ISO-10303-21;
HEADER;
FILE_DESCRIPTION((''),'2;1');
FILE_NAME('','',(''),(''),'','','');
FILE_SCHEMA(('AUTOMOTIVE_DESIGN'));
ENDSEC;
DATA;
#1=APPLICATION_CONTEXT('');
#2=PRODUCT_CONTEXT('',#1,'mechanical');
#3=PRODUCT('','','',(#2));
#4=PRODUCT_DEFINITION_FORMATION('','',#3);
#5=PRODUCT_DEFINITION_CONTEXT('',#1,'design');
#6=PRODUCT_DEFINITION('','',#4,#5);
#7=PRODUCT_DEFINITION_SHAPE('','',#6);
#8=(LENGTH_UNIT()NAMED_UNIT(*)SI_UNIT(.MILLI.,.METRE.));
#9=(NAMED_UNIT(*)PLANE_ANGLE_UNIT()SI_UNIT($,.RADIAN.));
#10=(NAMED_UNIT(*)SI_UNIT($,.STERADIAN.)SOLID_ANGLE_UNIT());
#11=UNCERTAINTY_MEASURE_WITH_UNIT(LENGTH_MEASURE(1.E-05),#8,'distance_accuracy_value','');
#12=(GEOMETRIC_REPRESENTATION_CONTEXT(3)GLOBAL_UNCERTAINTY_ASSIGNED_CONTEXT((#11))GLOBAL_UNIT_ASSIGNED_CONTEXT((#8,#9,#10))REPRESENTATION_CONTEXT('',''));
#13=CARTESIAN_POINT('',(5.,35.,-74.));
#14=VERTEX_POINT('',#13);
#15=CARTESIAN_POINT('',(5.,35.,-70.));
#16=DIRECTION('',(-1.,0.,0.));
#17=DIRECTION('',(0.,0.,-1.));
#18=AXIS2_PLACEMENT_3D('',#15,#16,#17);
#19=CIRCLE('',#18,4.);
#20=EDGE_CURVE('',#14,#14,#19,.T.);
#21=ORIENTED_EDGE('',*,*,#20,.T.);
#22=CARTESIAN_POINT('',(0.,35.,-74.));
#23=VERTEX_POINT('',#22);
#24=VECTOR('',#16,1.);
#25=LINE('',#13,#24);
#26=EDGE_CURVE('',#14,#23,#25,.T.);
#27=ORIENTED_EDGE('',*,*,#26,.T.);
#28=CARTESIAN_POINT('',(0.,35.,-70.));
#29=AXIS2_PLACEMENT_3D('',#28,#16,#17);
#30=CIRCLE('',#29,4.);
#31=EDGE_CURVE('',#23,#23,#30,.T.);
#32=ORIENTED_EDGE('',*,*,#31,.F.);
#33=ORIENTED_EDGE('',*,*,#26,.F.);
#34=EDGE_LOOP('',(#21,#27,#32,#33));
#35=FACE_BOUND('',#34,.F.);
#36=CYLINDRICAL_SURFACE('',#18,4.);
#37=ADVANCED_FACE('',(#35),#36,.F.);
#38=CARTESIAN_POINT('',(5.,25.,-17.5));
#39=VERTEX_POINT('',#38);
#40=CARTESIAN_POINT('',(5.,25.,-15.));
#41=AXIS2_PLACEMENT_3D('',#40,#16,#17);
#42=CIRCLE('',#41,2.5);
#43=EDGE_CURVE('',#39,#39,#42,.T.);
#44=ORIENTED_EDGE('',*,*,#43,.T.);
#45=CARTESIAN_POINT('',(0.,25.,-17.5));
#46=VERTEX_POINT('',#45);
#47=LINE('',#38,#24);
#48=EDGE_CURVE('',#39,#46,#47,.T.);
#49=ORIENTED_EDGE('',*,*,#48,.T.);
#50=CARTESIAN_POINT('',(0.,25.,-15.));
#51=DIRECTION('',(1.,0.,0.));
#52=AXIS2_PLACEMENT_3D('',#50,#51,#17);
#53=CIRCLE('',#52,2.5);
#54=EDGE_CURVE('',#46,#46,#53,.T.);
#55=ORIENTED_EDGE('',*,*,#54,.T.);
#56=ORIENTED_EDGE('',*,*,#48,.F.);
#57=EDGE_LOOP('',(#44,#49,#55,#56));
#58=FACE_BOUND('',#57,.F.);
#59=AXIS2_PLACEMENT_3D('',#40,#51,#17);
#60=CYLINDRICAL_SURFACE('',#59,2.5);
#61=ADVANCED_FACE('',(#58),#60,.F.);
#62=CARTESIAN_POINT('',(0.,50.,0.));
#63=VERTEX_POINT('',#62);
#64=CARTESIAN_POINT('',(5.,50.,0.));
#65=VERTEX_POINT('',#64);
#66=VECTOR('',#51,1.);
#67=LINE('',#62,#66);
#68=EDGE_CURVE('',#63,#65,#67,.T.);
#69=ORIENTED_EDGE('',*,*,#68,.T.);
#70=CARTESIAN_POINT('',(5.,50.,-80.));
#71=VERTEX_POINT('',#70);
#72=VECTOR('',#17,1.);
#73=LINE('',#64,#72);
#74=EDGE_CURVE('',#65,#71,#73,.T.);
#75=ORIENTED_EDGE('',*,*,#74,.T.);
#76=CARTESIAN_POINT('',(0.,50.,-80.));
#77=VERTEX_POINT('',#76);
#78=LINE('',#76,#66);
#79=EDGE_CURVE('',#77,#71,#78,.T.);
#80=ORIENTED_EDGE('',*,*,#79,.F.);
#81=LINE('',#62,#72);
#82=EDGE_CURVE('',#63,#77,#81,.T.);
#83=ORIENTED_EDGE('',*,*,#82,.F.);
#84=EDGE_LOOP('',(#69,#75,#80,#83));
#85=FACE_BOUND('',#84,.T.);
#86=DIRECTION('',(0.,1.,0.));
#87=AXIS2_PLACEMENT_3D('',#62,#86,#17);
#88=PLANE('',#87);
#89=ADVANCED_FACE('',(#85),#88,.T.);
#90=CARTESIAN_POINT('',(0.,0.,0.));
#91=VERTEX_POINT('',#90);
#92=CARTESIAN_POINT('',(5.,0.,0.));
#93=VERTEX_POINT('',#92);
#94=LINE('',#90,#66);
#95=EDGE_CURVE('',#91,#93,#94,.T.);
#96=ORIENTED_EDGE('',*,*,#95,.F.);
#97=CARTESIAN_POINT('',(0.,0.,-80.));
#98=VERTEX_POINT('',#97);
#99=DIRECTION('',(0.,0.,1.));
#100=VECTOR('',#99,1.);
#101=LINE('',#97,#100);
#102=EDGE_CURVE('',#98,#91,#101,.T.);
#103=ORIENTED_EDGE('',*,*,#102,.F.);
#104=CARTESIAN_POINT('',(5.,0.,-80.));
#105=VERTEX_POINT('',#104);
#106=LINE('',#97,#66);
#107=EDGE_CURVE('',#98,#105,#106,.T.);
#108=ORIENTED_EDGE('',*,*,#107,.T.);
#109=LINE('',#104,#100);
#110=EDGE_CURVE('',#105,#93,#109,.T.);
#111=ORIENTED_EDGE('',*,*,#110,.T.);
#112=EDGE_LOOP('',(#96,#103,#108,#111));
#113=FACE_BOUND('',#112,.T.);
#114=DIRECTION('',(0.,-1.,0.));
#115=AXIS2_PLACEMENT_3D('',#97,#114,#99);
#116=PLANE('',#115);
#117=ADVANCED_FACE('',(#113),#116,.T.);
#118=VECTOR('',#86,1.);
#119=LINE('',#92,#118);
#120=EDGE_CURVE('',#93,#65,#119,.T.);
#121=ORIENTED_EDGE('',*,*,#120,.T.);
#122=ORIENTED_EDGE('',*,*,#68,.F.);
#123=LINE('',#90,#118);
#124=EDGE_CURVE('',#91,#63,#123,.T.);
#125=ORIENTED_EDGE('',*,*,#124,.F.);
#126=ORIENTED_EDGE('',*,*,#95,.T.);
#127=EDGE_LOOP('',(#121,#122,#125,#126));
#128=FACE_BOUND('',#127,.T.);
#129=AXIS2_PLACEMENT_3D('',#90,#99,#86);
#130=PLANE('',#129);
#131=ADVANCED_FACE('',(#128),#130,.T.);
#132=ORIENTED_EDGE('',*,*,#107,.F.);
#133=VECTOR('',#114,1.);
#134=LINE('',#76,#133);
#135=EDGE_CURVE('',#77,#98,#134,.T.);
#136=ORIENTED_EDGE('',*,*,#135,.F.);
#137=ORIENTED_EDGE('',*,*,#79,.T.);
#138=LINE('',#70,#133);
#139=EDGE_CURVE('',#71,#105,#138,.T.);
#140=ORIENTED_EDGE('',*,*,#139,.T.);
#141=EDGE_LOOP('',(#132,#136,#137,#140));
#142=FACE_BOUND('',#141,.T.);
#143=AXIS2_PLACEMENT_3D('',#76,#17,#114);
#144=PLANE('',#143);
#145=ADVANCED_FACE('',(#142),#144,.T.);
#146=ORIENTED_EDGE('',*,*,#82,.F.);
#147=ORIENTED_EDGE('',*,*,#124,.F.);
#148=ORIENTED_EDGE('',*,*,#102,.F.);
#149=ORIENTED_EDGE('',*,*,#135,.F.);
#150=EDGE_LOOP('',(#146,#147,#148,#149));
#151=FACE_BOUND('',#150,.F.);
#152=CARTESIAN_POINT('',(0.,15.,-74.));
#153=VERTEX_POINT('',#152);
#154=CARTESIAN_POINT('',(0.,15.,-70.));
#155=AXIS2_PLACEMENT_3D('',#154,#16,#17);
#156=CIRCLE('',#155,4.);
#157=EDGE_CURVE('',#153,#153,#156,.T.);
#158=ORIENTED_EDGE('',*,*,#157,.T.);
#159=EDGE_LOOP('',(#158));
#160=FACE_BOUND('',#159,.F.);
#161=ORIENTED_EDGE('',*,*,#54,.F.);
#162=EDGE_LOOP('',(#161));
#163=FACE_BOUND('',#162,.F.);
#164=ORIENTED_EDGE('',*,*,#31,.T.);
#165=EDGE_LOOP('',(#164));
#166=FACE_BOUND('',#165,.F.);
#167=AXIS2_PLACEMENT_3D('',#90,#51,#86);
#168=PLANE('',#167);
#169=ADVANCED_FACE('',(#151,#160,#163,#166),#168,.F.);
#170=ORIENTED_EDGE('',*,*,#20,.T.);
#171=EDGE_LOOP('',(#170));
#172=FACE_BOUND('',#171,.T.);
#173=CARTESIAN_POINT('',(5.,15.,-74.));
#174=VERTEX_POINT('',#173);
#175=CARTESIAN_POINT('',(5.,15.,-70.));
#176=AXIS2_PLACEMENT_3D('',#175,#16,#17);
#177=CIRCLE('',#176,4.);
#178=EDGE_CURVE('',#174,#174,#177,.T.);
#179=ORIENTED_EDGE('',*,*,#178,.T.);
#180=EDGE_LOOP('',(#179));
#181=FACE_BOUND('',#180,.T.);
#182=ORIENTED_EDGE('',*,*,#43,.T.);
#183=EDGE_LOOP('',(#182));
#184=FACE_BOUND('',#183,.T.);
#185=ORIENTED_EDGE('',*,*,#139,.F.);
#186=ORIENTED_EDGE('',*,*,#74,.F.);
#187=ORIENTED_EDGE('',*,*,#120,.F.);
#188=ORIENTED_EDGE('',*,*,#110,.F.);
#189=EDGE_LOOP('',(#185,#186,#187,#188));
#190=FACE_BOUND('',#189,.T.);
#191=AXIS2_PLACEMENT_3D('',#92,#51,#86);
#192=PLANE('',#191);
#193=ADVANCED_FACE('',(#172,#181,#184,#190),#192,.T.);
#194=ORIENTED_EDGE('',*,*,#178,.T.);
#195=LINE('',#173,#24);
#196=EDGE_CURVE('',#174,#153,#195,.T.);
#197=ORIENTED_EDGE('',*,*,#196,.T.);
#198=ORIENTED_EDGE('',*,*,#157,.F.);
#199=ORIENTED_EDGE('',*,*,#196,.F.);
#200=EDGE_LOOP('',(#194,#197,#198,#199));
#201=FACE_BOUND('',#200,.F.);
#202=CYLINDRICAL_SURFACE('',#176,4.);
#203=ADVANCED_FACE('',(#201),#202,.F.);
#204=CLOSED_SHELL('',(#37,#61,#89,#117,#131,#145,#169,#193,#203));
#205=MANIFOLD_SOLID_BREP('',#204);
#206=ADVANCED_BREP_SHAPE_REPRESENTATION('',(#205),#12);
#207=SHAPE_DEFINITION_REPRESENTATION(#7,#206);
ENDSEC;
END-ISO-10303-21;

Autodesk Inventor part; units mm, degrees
ref_plane "YZ Plane" through (0, 0, 0) normal (1, 0, 0) x (0, 1, 0)
ref_plane "XZ Plane" through (0, 0, 0) normal (0, 1, 0) x (-1, 0, 0)
ref_plane "XY Plane" through (0, 0, 0) normal (0, 0, 1) x (1, 0, 0)
sketch "Skizze1" plane through (0, 0, 0) normal (1, 0, 0) x (0, 1, 0)
  line L0 (0, 0) -> (50, 0)
  line L1 (50, 0) -> (50, -80)
  line L2 (50, -80) -> (0, -80)
  line L3 (0, -80) -> (0, 0)
  dimension "d0" = 50
  dimension "d1" = 80
extrude "Extrusion1" add sketch "Skizze1" along normal blind 5
sketch "Skizze2" plane through (5, 0, 0) normal (1, 0, 0) x (0, 0, -1)
  line L0 (0, 0) -> (80, 0) projected
  line L1 (80, 0) -> (70, 0)
  line L2 (70, 0) -> (70, 15)
  line L3 (70, 15) -> (70, 35)
  line L4 (70, 35) -> (70, 50)
  dimension "d4" = 10
  dimension "d5" = 15
  dimension "d6" = 20
  dimension "d7" = 15
hole "Bohrung1" at (5, 35, -70) at (5, 15, -70) direction (-1, 0, 0) diameter 8 depth 8 tip angle 118
sketch "Skizze3" plane through (5, 0, 0) normal (1, 0, 0) x (0, 0, -1)
  line L0 (0, 0) -> (0, 25)
  line L1 (0, 50) -> (0, 0) projected
  line L2 (0, 25) -> (15, 25)
  circle A0 centre (15, 25) radius 2.5
  dimension "d15" = 25
  dimension "d16" = 15
  dimension "d17" = 5
extrude "Extrusion2" cut sketch "Skizze3" against normal blind 10
properties part number "Stuetzplatte"
